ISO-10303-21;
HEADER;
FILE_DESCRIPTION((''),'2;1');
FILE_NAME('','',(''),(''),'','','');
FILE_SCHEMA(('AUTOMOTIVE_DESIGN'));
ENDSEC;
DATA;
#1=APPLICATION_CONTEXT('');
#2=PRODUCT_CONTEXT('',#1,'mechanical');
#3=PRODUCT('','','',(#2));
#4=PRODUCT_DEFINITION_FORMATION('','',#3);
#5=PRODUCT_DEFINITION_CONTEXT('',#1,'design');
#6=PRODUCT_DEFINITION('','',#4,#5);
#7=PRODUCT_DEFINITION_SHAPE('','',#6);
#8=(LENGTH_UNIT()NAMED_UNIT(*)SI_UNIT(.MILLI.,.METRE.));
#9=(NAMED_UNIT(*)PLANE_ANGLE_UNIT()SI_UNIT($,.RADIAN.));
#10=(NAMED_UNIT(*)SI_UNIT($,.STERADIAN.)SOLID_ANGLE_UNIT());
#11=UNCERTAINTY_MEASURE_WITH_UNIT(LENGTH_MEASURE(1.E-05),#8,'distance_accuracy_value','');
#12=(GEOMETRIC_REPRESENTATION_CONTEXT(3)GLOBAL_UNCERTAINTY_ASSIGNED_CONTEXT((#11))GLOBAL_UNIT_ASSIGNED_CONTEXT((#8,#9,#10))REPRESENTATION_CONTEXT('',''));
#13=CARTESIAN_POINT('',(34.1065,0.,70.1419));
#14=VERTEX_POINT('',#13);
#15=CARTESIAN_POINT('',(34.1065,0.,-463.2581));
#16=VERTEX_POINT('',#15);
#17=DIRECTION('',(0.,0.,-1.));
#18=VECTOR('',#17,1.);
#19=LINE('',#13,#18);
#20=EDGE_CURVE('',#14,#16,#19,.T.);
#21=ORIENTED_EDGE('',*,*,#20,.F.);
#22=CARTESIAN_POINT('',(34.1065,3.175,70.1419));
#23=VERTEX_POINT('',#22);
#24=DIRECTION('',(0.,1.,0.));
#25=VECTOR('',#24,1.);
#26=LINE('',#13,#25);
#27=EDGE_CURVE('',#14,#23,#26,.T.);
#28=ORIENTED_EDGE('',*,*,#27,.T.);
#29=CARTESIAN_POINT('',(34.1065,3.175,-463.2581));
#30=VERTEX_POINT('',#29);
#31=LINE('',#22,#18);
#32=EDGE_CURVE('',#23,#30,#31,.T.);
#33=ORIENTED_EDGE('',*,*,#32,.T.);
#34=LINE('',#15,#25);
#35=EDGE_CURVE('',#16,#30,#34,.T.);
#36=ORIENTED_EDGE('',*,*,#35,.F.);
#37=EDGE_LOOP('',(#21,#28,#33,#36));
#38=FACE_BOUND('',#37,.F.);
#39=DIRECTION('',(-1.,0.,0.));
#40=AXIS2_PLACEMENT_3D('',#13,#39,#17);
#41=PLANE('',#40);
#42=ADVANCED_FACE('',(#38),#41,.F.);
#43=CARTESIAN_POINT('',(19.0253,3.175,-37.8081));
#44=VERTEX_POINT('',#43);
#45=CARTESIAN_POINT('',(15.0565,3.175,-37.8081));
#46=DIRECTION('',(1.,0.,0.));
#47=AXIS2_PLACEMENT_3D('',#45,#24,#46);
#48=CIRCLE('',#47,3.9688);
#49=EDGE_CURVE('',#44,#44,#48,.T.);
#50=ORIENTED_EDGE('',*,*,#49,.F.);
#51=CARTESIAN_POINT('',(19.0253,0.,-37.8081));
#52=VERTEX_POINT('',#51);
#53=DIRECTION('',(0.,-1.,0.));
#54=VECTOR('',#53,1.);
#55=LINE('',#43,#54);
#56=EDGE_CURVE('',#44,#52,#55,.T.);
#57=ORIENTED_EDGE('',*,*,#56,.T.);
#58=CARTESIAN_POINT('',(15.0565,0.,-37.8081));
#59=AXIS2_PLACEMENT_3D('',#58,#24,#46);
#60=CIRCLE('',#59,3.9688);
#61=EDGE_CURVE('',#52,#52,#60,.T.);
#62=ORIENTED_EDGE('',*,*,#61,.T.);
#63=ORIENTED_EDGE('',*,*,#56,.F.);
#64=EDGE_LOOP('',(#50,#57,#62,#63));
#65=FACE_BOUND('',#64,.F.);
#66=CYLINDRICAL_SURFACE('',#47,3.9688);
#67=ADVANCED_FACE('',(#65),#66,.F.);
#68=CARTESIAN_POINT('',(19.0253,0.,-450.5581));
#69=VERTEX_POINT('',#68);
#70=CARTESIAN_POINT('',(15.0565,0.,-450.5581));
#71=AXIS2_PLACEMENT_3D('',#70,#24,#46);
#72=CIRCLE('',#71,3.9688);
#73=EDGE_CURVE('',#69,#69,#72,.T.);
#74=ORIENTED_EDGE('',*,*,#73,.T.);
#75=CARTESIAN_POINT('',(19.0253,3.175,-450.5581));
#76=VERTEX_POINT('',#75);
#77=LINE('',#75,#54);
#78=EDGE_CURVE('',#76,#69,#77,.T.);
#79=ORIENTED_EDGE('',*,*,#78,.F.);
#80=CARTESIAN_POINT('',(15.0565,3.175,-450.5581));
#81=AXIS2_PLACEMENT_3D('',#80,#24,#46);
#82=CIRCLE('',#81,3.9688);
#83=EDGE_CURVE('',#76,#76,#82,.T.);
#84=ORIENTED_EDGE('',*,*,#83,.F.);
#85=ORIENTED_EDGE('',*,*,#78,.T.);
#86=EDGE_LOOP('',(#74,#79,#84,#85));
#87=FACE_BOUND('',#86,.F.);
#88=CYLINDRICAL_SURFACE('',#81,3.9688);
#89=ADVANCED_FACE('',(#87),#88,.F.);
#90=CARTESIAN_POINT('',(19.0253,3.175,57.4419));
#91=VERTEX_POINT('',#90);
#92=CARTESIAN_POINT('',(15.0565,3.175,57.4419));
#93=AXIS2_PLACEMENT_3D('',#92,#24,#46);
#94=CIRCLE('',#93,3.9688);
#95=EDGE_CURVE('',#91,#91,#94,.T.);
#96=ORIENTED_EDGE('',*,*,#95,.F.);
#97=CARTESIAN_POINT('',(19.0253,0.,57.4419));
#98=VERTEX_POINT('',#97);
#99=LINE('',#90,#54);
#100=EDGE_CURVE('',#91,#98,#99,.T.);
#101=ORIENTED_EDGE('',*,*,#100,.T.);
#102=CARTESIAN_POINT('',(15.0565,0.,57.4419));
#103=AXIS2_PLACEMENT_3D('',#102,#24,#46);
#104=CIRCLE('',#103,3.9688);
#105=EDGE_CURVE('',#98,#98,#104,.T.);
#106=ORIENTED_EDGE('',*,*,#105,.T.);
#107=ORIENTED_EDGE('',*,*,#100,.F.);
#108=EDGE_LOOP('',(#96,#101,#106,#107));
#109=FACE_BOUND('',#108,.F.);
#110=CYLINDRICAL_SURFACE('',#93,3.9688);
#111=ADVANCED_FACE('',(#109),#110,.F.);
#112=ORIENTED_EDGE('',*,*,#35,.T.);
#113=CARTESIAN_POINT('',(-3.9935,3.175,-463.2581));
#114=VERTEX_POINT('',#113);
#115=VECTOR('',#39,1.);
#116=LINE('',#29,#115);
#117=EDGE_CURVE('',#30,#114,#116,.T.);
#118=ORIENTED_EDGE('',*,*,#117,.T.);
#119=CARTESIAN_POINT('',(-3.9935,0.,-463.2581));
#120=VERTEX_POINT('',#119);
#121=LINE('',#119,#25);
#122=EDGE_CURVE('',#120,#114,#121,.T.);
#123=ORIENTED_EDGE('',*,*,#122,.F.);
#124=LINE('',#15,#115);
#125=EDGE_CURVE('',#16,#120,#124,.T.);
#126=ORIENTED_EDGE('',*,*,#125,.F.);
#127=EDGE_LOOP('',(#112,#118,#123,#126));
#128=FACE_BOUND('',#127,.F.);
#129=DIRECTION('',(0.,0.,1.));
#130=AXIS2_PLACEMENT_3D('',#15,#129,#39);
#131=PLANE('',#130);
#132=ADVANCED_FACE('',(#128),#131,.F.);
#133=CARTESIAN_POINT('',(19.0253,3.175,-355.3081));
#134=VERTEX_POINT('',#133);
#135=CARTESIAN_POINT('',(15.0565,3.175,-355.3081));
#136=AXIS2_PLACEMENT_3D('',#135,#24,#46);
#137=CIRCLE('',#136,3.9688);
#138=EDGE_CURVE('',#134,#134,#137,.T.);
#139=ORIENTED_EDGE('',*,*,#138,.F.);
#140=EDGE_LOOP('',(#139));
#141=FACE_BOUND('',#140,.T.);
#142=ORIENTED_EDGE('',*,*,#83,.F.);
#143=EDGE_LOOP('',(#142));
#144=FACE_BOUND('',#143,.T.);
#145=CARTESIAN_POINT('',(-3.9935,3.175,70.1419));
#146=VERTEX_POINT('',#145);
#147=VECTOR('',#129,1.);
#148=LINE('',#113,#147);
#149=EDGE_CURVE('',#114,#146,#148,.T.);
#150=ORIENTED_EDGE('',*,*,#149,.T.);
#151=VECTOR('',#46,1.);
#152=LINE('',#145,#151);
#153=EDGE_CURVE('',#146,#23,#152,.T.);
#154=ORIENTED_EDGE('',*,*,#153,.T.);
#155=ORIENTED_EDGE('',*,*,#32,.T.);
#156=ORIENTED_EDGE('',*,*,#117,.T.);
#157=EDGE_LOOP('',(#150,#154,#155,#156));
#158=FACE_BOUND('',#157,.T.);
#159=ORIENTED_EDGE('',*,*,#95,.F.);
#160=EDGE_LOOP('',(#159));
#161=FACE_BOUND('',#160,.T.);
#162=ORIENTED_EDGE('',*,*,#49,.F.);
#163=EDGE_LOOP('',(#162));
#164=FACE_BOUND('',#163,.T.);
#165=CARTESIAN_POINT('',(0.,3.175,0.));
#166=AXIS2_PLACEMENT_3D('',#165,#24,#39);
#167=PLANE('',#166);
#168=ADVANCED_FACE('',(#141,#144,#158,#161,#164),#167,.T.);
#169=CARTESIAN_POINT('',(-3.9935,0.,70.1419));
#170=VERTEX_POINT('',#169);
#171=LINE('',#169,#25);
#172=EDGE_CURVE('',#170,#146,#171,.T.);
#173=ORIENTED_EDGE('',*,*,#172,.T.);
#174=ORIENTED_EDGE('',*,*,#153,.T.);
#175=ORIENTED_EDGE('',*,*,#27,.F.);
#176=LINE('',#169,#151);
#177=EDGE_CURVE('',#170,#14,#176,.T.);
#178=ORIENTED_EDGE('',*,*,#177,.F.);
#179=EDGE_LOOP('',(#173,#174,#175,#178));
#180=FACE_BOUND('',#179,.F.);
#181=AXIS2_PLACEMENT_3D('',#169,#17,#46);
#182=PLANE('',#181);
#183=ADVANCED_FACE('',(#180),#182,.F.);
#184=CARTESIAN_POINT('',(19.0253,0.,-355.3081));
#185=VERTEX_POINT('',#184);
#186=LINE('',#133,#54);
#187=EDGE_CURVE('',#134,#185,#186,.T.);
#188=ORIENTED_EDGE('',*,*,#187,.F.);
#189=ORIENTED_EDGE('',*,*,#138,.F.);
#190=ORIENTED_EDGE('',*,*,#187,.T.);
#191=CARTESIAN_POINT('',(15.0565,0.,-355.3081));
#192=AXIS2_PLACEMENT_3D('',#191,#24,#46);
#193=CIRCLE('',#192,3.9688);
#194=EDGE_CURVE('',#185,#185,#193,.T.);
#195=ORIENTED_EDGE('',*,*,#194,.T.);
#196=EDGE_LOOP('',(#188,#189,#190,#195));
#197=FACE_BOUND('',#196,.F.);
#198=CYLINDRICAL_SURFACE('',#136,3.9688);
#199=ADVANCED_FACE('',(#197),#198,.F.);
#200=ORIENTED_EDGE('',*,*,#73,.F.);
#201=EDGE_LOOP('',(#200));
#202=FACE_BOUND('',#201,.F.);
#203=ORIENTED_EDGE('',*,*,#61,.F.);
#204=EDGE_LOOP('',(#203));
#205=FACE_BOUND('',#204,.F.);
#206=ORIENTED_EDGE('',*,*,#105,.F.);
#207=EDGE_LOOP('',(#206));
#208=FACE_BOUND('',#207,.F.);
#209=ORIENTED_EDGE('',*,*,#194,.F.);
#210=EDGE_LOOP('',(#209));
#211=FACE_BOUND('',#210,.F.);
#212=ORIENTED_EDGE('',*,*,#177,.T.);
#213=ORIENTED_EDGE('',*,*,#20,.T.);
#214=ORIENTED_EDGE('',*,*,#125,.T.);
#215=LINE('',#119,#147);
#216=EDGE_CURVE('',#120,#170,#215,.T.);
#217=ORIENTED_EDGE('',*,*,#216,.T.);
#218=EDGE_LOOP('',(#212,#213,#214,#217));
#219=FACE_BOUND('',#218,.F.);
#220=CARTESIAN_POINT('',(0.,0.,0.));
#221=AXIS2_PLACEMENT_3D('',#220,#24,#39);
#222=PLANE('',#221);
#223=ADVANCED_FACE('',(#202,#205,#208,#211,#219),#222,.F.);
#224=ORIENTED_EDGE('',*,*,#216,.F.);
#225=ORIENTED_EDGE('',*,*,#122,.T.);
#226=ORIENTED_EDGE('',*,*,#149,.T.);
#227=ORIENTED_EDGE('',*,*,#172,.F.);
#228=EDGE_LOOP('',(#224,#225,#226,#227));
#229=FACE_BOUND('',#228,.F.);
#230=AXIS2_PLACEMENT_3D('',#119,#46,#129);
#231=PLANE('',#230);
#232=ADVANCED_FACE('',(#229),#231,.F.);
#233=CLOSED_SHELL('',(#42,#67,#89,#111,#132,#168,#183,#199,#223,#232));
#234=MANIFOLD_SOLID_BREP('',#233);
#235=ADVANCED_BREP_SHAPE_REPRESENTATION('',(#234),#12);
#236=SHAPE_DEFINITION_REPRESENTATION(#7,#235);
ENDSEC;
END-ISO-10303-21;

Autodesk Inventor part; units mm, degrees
ref_plane "YZ Plane" through (0, 0, 0) normal (1, 0, 0) x (0, 1, 0)
ref_plane "XZ Plane" through (0, 0, 0) normal (0, 1, 0) x (-1, 0, 0)
ref_plane "XY Plane" through (0, 0, 0) normal (0, 0, 1) x (1, 0, 0)
sketch "Sketch1" plane through (0, 0, 0) normal (0, 1, 0) x (-1, 0, 0)
  line L0 (3.9935, 70.1419) -> (-34.1065, 70.1419)
  line L1 (-34.1065, 70.1419) -> (-34.1065, -463.2581)
  line L2 (-34.1065, -463.2581) -> (3.9935, -463.2581)
  line L3 (3.9935, -463.2581) -> (3.9935, 70.1419)
  point P0 (0, 0)
  dimension "d0" = 38.1
  dimension "d1" = 533.4
extrude "Extrusion1" add sketch "Sketch1" along normal blind 3.175
sketch "Sketch2" plane through (0, 3.175, 0) normal (0, 1, 0) x (1, 0, 0)
  line L0 (-3.9935, -70.1419) -> (34.1065, -70.1419) projected
  circle A0 centre (15.0565, -57.4419) radius 3.9688
  line L1 (34.1065, 463.2581) -> (-3.9935, 463.2581) projected
  circle A1 centre (15.0565, 450.5581) radius 3.9688
  line L2 (34.1065, -70.1419) -> (34.1065, 463.2581) projected
  line L3 (34.1065, 196.5581) -> (-3.9935, 196.5581)
  circle A2 centre (15.0565, 355.3081) radius 3.9688
  circle A3 centre (15.0565, 37.8081) radius 3.9688
  point P0 (0, 0)
  dimension "d5" = 7.9375
  dimension "d7" = 7.9375
  dimension "d10" = 7.9375
  dimension "d11" = 7.9375
  dimension "d14" = 12.7
  dimension "d15" = 107.95
  dimension "d16" = 12.7
  dimension "d17" = 107.95
extrude "Extrusion2" cut sketch "Sketch2" against normal blind 25.4
properties part number "Seat tabsnew"
